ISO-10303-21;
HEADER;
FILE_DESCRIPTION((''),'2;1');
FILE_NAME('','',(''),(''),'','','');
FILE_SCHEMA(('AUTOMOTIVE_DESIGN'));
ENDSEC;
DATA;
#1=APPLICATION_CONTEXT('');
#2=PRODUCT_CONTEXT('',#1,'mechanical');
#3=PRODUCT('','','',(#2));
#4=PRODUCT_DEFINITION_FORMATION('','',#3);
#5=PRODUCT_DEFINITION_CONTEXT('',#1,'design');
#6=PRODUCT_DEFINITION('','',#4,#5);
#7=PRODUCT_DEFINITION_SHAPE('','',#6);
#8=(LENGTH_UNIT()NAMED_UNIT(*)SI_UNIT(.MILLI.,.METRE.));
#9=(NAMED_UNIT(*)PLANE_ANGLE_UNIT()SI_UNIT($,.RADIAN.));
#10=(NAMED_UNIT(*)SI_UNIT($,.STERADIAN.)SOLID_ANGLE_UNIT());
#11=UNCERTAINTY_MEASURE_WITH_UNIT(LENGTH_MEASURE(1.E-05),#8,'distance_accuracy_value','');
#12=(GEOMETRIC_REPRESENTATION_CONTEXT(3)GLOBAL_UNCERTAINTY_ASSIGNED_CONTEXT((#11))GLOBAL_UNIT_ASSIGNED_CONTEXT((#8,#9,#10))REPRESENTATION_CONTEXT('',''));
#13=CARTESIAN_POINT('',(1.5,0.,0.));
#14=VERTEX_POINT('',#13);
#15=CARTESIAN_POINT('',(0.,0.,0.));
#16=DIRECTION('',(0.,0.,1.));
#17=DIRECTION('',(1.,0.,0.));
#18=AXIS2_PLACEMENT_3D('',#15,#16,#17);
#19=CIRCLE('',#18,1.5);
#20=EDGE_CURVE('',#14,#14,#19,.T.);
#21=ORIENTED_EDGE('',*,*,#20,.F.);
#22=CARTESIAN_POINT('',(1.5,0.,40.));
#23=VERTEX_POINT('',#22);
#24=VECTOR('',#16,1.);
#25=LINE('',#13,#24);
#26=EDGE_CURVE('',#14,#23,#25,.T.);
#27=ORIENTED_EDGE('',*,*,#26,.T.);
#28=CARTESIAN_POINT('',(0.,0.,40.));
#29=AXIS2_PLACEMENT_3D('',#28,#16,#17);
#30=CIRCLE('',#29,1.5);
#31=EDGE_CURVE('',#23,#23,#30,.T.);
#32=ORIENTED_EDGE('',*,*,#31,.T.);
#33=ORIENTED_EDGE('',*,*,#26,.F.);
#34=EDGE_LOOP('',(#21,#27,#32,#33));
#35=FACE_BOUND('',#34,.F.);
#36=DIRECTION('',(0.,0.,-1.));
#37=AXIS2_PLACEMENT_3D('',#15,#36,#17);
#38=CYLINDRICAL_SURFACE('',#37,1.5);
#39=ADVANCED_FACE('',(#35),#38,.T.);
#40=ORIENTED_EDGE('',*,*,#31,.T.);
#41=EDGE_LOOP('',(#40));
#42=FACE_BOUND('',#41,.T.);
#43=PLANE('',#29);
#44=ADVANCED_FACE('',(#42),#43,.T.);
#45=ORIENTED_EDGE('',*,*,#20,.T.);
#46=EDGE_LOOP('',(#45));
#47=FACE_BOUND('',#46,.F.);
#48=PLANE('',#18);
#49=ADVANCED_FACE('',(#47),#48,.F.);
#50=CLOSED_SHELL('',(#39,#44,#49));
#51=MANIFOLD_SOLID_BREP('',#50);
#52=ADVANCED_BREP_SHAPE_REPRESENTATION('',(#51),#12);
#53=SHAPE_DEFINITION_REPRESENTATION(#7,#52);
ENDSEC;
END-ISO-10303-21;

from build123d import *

# Parameters (mm, degrees)
SKETCH1_R           = 1.5
BOSS_EXTRUDE1_DEPTH = 40


with BuildPart() as part:
    # Sketch1 → Boss-Extrude1 (new body)
    with BuildSketch(Plane.XY):
        Circle(SKETCH1_R)
    extrude(amount=BOSS_EXTRUDE1_DEPTH)


solid = part.part
